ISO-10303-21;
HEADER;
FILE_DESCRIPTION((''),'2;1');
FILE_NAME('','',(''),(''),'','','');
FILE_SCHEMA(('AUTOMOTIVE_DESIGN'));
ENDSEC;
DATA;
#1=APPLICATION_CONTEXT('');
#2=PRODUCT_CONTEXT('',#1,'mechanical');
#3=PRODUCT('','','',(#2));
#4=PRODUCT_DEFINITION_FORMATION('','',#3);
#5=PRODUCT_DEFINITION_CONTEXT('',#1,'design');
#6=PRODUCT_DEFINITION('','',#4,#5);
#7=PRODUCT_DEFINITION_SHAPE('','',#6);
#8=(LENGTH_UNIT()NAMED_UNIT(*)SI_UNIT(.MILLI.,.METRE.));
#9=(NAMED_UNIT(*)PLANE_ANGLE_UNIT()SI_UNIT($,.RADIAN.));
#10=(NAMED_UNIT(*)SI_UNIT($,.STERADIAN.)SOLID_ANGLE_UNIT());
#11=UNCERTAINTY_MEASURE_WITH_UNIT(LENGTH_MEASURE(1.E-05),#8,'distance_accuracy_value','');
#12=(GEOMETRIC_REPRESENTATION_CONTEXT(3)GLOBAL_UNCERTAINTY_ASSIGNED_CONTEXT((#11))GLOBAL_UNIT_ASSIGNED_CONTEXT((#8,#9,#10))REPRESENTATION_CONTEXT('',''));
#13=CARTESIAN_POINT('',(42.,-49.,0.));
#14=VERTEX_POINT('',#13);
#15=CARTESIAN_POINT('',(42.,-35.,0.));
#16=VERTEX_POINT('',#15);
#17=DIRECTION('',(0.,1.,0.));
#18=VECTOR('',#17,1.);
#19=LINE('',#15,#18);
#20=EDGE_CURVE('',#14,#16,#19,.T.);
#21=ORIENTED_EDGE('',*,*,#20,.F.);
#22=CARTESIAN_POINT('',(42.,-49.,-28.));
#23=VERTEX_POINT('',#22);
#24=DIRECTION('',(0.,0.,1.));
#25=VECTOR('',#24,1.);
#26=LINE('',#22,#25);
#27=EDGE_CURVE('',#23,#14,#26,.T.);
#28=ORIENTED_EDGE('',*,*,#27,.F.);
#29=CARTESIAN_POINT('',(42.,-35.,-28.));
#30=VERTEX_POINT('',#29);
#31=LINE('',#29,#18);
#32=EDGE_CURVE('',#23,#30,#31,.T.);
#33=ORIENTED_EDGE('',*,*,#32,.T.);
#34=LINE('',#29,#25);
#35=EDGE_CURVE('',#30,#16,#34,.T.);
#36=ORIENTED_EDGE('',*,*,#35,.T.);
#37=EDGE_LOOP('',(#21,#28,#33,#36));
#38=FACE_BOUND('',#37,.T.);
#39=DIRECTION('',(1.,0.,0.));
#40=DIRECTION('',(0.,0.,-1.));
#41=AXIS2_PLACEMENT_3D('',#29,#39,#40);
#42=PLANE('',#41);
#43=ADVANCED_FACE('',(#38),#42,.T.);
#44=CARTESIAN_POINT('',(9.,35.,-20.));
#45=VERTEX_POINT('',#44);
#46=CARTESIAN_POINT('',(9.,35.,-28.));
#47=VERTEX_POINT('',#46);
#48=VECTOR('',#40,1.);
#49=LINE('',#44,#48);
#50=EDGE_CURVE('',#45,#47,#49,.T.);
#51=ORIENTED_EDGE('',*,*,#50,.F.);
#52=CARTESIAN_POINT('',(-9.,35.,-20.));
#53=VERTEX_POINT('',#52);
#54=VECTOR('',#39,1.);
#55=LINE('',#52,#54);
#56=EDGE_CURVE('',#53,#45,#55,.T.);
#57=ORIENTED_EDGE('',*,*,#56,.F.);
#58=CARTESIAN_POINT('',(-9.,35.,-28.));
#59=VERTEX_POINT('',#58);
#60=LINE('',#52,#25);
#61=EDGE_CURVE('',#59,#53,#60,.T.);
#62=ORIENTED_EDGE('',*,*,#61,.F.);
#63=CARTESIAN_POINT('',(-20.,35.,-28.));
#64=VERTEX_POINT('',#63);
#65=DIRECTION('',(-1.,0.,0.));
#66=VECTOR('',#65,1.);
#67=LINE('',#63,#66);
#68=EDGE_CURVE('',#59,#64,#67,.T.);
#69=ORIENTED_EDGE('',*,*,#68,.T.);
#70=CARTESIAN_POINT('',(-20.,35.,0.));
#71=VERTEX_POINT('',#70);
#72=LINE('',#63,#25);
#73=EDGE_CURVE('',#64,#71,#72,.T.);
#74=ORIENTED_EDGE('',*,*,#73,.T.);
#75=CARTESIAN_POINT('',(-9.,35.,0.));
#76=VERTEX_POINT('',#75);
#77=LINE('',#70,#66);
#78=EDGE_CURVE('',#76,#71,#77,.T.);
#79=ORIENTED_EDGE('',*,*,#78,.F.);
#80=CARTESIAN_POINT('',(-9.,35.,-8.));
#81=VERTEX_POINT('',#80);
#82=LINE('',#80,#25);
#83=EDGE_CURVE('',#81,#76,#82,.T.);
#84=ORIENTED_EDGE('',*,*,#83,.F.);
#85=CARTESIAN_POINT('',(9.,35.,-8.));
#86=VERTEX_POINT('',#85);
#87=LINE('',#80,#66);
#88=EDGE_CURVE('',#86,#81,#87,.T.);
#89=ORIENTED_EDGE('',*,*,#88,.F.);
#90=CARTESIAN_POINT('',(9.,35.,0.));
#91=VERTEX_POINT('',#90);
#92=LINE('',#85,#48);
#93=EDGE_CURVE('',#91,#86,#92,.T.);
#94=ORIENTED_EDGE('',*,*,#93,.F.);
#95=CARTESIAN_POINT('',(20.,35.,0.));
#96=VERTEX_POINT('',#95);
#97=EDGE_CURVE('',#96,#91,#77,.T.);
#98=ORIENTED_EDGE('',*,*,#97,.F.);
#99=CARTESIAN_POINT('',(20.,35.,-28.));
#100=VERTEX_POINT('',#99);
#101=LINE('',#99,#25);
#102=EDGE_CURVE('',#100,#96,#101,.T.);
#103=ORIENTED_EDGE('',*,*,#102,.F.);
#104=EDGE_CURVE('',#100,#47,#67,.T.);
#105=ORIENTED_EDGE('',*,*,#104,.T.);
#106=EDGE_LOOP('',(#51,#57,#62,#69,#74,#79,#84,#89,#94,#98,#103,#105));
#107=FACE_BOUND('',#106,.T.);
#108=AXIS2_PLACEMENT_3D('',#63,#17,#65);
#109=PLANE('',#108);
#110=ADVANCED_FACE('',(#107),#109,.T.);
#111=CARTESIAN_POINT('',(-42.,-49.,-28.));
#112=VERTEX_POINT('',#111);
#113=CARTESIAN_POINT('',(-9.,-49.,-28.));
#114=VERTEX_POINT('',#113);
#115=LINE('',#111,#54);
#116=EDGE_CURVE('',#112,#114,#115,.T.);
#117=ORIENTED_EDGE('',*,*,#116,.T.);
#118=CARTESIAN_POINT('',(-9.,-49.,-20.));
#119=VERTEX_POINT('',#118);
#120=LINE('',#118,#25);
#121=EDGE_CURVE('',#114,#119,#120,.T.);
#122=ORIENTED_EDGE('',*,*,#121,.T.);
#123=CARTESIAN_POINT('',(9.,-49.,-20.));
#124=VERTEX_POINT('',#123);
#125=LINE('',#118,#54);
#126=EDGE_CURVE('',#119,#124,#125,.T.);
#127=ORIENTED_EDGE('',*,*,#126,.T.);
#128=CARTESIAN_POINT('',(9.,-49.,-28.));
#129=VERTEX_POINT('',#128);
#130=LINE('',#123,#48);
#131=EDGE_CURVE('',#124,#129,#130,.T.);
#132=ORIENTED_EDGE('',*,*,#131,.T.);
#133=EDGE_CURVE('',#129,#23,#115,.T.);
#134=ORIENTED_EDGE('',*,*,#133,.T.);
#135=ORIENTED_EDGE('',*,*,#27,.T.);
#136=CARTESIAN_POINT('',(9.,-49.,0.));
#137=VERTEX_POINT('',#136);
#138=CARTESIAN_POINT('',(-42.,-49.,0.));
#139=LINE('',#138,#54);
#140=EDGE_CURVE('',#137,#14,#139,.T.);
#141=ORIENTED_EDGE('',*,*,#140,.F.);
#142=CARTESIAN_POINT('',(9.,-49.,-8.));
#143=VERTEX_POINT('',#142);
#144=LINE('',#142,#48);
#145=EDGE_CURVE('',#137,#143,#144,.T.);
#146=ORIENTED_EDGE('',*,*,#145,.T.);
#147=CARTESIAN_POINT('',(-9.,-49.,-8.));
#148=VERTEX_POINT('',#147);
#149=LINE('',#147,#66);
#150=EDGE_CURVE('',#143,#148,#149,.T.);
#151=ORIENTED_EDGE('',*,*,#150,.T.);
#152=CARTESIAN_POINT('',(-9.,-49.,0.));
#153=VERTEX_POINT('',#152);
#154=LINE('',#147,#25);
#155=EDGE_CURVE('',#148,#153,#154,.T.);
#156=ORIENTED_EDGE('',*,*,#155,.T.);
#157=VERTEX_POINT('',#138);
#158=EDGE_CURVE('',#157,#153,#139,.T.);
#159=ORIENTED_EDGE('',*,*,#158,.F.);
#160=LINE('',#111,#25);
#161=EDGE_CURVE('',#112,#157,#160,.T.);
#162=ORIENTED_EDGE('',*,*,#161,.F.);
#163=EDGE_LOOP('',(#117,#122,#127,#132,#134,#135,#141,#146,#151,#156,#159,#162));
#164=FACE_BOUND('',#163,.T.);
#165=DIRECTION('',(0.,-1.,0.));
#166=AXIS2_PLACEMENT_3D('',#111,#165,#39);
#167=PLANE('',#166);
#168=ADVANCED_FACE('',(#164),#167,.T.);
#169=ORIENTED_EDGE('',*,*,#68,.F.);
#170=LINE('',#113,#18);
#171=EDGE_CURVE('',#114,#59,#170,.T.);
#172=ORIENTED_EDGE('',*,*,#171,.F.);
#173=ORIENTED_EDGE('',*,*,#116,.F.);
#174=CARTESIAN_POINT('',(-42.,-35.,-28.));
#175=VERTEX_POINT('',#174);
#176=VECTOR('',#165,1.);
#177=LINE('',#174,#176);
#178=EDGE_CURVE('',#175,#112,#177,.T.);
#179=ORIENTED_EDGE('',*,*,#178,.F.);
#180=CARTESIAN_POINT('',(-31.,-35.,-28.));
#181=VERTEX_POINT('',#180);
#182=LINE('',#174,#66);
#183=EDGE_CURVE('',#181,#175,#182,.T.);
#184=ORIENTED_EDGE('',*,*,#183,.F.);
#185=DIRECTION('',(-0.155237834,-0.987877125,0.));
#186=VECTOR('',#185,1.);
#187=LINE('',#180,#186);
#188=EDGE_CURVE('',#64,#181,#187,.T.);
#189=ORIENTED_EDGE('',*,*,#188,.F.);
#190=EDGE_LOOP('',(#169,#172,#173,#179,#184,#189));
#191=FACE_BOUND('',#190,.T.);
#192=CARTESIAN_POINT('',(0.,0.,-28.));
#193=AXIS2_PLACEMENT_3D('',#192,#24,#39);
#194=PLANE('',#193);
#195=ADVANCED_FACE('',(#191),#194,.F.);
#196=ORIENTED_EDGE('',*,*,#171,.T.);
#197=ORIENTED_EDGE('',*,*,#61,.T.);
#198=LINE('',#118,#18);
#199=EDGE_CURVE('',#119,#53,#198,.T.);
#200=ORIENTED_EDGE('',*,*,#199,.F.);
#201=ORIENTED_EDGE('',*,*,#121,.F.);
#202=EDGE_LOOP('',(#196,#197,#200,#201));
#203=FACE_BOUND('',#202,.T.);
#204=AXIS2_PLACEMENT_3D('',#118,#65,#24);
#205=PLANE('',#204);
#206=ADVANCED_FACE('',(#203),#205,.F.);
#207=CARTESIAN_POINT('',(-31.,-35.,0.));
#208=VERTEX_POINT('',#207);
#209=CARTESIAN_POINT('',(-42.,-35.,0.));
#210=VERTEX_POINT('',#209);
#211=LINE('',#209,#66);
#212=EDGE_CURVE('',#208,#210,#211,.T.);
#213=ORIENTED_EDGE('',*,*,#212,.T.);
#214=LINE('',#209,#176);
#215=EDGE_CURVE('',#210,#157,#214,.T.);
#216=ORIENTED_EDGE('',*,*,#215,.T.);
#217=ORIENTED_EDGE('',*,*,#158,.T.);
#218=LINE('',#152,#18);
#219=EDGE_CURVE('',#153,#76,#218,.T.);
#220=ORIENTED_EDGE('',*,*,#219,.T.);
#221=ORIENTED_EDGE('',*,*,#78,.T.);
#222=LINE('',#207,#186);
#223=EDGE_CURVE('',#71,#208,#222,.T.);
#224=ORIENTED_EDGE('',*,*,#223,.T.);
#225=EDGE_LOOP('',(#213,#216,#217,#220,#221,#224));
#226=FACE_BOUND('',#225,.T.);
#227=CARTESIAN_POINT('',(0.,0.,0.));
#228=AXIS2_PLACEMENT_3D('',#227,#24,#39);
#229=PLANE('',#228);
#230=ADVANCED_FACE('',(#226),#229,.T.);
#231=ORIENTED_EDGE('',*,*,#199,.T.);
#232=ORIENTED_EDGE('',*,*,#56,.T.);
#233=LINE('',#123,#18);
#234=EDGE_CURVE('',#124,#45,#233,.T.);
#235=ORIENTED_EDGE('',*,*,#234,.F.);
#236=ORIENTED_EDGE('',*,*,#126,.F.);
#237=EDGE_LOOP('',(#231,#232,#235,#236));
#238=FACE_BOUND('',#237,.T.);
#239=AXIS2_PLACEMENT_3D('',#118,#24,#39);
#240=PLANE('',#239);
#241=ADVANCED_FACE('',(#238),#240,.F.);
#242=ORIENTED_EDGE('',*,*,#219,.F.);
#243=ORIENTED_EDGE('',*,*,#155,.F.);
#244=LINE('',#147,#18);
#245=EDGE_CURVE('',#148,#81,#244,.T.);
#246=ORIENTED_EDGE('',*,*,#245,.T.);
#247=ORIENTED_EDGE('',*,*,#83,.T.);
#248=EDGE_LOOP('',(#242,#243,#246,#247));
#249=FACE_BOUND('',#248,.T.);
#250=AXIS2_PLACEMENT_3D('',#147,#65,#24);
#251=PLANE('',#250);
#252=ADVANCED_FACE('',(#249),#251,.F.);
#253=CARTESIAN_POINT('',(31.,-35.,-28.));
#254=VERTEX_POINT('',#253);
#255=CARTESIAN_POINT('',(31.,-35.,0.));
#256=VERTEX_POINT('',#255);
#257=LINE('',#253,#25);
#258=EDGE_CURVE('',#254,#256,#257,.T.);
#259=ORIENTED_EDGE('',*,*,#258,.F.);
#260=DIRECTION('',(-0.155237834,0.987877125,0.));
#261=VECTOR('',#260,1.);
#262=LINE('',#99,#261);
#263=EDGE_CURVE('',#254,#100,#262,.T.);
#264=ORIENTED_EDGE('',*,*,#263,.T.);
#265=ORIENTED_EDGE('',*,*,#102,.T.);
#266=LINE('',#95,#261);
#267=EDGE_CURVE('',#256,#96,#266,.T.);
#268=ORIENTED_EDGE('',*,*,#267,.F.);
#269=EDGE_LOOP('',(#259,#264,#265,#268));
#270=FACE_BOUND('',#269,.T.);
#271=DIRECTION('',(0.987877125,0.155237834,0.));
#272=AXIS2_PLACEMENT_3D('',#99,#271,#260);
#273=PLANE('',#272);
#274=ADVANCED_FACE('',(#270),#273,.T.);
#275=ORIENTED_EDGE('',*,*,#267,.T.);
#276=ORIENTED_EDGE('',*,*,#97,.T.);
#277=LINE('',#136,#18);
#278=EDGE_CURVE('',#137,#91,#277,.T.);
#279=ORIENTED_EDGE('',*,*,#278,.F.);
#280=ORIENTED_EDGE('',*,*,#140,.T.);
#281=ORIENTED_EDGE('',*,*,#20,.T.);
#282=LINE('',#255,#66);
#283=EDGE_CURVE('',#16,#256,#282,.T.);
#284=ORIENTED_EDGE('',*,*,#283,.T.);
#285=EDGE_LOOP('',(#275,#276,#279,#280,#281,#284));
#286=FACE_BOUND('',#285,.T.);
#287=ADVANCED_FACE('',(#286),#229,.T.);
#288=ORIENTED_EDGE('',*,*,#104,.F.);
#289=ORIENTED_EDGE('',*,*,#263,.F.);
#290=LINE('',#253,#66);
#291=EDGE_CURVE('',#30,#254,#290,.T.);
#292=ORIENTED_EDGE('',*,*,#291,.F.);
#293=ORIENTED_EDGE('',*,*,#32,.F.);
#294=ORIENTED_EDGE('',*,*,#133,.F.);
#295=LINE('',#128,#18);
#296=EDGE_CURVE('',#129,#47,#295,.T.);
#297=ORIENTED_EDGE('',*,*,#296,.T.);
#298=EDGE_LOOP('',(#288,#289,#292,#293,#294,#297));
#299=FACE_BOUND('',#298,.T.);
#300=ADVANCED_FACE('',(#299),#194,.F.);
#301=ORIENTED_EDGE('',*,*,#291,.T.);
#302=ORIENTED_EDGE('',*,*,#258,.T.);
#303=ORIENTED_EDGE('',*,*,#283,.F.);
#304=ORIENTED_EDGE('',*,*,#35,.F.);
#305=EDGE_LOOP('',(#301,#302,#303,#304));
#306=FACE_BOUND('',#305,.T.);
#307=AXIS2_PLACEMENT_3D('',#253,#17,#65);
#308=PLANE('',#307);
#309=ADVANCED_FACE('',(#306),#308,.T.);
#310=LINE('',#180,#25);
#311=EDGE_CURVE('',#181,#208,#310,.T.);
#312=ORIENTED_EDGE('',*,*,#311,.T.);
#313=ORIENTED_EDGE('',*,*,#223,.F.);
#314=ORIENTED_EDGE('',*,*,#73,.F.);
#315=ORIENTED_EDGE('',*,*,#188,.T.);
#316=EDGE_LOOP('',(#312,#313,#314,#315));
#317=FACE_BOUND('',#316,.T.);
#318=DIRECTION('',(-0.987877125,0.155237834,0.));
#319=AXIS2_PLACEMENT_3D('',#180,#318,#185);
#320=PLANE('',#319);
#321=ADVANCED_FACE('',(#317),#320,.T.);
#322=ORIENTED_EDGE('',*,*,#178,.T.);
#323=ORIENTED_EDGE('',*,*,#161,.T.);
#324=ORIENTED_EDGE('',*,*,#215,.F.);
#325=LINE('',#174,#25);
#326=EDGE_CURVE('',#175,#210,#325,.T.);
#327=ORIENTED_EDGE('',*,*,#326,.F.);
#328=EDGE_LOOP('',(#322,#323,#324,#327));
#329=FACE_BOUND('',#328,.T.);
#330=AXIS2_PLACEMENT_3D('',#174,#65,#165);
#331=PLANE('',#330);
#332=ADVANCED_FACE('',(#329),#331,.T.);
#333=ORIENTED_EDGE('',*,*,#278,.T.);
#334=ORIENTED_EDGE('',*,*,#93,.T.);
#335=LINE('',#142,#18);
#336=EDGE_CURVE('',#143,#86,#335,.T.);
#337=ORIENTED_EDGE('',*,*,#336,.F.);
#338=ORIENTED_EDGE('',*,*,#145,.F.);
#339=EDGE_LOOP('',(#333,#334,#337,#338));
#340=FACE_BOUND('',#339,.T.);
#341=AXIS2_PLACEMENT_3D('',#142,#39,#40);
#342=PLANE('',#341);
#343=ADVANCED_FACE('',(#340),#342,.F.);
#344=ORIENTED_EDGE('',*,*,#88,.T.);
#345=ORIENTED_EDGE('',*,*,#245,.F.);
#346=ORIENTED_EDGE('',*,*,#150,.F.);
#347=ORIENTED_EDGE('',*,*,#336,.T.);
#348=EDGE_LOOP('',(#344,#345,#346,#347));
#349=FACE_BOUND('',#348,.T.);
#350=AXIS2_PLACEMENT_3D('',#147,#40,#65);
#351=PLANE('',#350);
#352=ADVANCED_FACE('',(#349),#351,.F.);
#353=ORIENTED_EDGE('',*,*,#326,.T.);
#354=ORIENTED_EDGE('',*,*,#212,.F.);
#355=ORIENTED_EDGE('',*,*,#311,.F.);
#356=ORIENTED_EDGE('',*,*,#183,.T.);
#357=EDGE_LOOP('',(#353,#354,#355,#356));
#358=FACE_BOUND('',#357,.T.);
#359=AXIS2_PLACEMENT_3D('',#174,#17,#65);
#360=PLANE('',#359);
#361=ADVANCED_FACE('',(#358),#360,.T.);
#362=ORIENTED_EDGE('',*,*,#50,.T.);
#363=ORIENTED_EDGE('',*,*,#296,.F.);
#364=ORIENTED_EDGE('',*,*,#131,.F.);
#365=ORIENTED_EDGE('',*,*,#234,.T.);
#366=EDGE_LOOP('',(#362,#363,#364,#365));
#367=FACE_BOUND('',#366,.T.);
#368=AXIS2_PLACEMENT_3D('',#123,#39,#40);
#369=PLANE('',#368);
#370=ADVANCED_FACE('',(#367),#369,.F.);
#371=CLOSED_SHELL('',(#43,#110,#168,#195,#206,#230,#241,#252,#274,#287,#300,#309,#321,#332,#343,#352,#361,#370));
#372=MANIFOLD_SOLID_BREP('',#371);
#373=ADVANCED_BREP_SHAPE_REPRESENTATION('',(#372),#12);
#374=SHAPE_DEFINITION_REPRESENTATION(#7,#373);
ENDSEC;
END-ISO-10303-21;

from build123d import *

# Parameters (mm, degrees)
SALIENTE_EXTRUIR1_DEPTH = 28
CROQUIS2_W              = 18
CROQUIS2_H              = 8
CORTAR_EXTRUIR1_DEPTH   = 99


with BuildPart() as part:
    # Croquis1 → Saliente-Extruir1 (new body)
    with BuildSketch(Plane.XY):
        Polygon((-20, 35), (20, 35), (31, -35), (42, -35), (42, -49), (-42, -49), (-42, -35), (-31, -35), align=None)
    extrude(amount=-SALIENTE_EXTRUIR1_DEPTH)

    # Croquis2 → Cortar-Extruir1 (cut, through all)
    with BuildSketch(Plane(origin=(0, 35, 0), x_dir=(1, 0, 0), z_dir=(0, 1, 0))):
        with Locations((0, 4)):
            Rectangle(CROQUIS2_W, CROQUIS2_H)
        with Locations((0, 24)):
            Rectangle(CROQUIS2_W, CROQUIS2_H)
    extrude(amount=-CORTAR_EXTRUIR1_DEPTH, mode=Mode.SUBTRACT)


solid = part.part
